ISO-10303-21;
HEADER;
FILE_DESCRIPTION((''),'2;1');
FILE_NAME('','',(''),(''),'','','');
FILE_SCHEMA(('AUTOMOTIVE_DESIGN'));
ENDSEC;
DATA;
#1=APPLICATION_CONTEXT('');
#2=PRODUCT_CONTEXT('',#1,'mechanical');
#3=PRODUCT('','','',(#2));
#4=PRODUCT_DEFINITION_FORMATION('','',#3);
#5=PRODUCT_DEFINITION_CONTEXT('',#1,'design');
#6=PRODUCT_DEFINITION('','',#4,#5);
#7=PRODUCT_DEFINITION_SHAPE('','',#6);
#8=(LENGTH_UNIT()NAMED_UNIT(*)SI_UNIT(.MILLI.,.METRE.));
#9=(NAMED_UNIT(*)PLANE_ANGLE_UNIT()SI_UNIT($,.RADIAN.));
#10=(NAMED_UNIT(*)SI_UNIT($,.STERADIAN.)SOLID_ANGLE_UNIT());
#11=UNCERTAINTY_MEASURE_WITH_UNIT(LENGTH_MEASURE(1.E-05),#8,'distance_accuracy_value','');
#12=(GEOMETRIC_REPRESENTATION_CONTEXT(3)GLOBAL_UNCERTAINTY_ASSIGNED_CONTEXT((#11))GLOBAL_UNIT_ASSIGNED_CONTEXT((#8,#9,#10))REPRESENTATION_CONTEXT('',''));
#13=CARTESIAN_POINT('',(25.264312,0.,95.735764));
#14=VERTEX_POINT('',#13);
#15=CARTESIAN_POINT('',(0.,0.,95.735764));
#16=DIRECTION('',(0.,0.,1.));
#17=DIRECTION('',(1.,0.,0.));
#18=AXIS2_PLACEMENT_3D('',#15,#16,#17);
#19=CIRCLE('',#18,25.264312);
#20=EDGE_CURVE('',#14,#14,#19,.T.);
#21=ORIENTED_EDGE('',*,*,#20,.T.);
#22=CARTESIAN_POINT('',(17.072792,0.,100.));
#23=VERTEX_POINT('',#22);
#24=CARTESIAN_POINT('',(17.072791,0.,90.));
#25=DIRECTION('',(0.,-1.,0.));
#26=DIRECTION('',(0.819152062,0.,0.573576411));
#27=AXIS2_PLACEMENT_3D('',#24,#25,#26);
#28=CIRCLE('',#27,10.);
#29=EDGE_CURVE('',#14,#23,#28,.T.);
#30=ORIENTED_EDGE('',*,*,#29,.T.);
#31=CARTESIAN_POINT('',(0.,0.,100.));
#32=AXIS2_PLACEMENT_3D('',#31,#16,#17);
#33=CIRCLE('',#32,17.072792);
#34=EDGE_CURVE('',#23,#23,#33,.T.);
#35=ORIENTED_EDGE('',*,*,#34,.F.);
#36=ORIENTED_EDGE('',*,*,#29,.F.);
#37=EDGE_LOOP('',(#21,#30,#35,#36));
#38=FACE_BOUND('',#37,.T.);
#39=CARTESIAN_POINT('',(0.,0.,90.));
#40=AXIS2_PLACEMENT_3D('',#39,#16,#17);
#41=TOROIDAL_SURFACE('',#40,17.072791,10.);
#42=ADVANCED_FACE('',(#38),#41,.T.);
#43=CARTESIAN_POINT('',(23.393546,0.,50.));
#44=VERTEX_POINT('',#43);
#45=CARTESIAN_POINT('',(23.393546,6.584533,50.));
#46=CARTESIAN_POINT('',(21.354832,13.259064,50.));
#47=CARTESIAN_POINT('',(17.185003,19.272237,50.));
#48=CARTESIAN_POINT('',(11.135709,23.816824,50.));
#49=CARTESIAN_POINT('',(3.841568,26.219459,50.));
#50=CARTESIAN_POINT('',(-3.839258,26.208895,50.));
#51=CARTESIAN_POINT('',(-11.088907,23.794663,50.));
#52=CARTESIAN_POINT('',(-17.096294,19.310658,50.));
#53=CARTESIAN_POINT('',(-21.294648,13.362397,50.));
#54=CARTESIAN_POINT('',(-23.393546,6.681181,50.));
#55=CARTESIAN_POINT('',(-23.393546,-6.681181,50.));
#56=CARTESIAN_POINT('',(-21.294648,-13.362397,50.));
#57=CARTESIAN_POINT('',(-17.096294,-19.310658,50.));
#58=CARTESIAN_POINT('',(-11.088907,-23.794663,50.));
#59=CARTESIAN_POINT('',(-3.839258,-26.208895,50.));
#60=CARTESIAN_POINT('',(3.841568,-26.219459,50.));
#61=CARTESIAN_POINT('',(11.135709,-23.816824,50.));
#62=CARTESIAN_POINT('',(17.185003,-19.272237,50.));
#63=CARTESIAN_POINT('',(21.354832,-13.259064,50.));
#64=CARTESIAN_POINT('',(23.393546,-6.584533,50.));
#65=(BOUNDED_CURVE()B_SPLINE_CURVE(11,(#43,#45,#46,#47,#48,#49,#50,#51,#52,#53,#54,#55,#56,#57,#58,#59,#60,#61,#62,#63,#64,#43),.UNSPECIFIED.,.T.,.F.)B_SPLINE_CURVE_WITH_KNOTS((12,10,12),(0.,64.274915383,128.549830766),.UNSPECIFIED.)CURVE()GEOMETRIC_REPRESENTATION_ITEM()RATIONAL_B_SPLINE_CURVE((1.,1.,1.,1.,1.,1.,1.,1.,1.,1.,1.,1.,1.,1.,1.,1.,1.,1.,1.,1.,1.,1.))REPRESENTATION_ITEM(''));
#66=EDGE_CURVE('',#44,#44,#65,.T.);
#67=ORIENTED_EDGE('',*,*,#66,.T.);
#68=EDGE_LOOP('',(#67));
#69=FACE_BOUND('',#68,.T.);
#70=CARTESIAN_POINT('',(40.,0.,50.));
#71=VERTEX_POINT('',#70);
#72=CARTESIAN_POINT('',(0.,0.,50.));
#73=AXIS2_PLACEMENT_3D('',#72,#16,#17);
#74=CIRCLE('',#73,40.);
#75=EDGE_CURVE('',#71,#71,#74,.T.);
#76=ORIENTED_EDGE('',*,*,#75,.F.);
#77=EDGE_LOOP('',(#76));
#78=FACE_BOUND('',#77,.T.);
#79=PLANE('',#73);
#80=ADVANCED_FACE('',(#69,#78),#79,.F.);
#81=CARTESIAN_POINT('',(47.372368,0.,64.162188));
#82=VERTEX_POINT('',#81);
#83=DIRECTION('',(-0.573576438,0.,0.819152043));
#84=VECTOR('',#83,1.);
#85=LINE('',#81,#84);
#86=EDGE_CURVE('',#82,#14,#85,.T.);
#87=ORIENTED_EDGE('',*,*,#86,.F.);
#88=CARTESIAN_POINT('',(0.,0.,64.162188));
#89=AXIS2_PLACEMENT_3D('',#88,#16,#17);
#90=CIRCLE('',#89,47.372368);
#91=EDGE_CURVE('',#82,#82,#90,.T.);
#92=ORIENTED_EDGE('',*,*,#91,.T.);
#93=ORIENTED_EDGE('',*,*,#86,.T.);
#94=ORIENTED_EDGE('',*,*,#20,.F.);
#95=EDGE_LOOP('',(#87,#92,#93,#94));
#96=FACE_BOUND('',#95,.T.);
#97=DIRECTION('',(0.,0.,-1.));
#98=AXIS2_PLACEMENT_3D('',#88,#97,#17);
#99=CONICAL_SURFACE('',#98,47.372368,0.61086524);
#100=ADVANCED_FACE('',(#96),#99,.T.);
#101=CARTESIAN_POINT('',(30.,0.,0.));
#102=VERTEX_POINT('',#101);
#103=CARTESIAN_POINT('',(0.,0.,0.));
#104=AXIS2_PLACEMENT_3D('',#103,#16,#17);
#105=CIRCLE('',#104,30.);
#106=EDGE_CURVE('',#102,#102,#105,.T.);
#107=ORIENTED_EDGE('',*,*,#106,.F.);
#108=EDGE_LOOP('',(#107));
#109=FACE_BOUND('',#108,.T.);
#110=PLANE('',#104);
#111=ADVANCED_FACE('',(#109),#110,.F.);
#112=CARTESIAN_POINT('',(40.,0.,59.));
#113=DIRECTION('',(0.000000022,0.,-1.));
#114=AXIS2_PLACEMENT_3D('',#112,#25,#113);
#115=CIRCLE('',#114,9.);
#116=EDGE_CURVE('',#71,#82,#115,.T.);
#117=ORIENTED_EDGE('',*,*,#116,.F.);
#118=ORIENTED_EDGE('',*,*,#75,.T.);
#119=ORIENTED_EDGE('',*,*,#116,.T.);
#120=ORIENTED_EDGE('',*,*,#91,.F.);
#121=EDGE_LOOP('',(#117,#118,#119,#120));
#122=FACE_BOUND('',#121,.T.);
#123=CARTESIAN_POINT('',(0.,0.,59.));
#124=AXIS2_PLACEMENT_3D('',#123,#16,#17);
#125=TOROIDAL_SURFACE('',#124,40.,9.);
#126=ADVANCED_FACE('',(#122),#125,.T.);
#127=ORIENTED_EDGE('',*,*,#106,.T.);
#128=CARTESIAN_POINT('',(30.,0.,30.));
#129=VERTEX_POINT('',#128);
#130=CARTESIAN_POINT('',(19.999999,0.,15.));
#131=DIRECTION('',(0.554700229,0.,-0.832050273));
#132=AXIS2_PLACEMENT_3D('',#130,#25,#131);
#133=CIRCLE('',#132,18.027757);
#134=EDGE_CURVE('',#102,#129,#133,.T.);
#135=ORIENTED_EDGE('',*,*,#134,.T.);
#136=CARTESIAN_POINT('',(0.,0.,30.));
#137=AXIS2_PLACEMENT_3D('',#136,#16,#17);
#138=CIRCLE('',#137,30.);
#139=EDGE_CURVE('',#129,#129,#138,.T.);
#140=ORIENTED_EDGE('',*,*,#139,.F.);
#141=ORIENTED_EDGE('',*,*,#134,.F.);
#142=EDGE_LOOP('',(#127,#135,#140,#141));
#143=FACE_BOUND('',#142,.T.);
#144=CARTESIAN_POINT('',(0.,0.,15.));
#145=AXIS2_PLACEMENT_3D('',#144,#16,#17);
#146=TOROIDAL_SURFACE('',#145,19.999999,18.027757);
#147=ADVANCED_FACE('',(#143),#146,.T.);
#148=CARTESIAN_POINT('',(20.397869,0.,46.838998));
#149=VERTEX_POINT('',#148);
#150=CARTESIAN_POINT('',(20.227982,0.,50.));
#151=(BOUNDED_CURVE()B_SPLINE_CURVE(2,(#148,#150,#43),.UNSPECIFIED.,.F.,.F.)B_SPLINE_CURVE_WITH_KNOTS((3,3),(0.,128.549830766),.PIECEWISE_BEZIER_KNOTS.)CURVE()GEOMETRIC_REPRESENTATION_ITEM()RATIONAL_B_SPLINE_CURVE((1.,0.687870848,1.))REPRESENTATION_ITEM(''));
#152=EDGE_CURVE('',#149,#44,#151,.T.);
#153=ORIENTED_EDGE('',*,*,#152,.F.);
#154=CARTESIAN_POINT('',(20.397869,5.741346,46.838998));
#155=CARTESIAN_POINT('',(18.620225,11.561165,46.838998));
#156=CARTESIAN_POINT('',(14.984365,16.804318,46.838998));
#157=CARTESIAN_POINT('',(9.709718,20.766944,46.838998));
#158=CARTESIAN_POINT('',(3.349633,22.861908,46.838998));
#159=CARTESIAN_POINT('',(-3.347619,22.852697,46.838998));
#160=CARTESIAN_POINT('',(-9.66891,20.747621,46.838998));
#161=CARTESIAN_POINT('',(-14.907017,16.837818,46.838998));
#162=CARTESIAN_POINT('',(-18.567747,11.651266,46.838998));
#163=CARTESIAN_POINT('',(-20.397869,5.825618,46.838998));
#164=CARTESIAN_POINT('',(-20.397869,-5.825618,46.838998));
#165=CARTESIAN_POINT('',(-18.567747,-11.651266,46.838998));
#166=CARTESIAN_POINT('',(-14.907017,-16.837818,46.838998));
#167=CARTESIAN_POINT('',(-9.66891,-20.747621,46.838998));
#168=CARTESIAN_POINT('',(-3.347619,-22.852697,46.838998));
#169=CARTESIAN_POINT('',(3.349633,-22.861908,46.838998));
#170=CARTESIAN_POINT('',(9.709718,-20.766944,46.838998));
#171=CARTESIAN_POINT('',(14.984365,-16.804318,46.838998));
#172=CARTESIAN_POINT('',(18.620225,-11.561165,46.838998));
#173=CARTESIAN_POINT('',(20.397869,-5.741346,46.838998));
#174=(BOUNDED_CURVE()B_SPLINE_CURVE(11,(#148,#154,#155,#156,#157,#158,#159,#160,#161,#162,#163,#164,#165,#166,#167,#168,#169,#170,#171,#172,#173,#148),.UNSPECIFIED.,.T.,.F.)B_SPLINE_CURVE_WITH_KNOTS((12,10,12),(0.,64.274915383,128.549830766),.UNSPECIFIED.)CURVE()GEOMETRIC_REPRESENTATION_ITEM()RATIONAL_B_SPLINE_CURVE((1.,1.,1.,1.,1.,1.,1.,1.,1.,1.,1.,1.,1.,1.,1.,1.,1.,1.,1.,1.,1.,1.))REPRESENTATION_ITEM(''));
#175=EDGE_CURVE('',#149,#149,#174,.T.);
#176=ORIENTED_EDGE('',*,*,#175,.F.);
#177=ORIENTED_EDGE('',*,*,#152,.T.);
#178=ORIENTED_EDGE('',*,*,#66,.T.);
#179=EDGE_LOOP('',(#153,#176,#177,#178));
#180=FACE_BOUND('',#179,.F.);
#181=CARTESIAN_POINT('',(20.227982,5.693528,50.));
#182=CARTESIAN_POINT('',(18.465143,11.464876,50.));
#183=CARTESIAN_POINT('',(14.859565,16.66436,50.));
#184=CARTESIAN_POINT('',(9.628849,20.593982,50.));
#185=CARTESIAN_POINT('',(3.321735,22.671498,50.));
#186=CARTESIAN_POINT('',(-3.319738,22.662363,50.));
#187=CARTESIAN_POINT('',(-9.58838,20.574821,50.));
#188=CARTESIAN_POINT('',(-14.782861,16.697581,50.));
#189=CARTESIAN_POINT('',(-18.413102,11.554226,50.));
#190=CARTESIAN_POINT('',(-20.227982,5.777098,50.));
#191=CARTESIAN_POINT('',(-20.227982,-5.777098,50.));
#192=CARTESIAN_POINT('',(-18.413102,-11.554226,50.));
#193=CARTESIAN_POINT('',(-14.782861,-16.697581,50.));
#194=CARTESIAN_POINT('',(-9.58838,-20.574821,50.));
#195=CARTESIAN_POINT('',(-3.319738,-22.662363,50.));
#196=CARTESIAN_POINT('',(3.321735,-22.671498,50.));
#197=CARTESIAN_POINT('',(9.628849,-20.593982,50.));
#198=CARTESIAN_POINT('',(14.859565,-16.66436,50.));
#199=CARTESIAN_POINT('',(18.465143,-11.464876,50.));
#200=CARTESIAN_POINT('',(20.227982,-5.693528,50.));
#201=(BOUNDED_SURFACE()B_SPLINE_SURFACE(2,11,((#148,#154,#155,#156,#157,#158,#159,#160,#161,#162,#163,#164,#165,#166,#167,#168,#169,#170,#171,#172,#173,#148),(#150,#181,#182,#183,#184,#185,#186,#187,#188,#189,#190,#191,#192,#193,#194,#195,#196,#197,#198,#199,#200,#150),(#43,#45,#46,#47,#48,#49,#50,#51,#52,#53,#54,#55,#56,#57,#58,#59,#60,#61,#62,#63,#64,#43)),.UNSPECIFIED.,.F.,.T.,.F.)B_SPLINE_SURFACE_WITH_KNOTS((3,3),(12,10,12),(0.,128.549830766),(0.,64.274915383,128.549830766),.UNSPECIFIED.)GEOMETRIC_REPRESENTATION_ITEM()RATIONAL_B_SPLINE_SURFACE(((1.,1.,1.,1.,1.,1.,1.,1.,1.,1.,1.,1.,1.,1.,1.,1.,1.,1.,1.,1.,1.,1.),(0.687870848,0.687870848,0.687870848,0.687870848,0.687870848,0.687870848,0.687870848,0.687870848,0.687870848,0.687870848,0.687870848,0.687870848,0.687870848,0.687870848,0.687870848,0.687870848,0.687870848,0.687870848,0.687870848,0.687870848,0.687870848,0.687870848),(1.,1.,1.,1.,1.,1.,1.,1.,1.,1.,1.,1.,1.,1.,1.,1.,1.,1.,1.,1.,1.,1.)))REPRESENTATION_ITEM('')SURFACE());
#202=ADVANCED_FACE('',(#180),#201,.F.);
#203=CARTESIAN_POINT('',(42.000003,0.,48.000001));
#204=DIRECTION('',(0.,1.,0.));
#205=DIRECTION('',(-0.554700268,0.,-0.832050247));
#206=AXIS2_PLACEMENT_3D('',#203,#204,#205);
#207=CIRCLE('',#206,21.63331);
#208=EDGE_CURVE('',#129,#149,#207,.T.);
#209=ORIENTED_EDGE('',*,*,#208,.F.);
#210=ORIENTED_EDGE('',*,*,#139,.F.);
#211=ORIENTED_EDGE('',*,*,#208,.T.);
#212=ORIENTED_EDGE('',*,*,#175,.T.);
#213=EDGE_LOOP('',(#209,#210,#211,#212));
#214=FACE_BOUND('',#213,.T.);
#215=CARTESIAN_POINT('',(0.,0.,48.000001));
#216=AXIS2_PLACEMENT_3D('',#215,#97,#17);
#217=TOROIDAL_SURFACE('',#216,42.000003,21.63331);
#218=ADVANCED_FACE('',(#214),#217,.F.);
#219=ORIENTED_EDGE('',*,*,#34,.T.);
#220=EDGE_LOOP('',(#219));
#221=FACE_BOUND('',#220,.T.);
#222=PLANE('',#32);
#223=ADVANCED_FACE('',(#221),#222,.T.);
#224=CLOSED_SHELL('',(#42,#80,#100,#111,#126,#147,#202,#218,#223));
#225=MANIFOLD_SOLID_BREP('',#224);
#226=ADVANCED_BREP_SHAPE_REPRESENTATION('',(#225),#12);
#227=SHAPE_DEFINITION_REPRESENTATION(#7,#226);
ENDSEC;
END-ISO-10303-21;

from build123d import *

# Parameters (mm, degrees)
F2_R = 3


with BuildPart() as f1:
    # F0 (on Front) → F1 (revolve)
    with BuildSketch(Plane.XZ):
        with BuildLine():
            Line((0, 100), (0, 0))
            Line((0, 0), (30, 0))
            ThreePointArc((30, 0), (38.027756, 15), (30, 30))
            ThreePointArc((30, 30), (22.474531, 38.685708), (20.459341, 50))
            Line((20.459341, 50), (40, 50))
            ThreePointArc((40, 50), (47.983097, 54.844262), (47.372368, 64.162188))
            Line((47.372368, 64.162188), (25.264312, 95.735764))
            ThreePointArc((25.264312, 95.735764), (21.690278, 98.870108), (17.072792, 100))
            Line((17.072792, 100), (0, 100))
        make_face()
    revolve(axis=Axis((0, 0, 63.060038), (0, 0, 1)))

    # F2
    f2_edges = [f1.edges().sort_by_distance(p)[0] for p in [
        (-20.459341, 0, 50),
    ]]
    fillet(f2_edges, radius=F2_R)


solid = f1.part
